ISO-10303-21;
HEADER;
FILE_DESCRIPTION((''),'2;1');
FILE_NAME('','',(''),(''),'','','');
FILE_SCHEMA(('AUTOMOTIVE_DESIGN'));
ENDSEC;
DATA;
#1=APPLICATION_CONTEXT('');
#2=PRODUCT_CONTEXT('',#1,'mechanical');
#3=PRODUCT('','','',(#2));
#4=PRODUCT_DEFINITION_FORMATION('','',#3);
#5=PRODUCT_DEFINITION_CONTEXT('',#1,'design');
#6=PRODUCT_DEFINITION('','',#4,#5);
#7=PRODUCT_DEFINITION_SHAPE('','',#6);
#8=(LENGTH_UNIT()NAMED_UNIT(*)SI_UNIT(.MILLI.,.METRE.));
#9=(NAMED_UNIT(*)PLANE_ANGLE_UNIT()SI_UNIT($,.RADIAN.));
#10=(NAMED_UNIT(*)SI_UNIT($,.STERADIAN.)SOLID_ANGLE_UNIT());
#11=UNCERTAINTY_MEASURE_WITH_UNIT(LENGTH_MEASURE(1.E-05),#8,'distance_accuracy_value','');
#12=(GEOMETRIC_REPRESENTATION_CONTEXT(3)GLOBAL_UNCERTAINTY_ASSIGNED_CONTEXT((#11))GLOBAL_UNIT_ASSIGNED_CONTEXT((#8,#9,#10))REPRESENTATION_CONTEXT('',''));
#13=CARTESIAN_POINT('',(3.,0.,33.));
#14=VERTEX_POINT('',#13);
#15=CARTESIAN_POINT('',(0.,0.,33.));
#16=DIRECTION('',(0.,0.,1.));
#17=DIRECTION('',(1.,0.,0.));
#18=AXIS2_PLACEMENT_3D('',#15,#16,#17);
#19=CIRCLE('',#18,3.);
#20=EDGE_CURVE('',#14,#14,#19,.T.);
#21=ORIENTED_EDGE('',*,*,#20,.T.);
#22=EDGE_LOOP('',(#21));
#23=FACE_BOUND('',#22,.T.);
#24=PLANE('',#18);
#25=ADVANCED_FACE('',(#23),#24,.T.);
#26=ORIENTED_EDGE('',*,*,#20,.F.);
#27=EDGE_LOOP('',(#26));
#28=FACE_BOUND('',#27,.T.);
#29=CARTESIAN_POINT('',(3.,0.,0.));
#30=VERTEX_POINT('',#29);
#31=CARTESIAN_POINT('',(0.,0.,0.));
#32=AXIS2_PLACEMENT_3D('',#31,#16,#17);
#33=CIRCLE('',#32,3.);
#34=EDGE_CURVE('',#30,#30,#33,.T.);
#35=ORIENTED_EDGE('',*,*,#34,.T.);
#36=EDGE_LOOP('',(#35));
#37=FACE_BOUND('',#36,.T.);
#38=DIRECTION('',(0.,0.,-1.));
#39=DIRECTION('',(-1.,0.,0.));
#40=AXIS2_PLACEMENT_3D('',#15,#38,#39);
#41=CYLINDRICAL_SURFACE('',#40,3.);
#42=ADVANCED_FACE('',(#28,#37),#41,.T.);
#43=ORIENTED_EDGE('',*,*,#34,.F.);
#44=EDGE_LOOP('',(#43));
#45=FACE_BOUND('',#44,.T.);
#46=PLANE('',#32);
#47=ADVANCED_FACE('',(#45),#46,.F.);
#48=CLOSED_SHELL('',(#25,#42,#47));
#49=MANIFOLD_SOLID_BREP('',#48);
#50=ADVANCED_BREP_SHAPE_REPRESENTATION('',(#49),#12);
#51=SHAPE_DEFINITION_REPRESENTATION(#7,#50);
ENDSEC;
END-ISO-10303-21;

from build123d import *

# Parameters (mm, degrees)
SKETCH1_R           = 3
BOSS_EXTRUDE1_DEPTH = 33


with BuildPart() as part:
    # Sketch1 → Boss-Extrude1 (new body)
    with BuildSketch(Plane.XY):
        Circle(SKETCH1_R)
    extrude(amount=BOSS_EXTRUDE1_DEPTH)


solid = part.part
